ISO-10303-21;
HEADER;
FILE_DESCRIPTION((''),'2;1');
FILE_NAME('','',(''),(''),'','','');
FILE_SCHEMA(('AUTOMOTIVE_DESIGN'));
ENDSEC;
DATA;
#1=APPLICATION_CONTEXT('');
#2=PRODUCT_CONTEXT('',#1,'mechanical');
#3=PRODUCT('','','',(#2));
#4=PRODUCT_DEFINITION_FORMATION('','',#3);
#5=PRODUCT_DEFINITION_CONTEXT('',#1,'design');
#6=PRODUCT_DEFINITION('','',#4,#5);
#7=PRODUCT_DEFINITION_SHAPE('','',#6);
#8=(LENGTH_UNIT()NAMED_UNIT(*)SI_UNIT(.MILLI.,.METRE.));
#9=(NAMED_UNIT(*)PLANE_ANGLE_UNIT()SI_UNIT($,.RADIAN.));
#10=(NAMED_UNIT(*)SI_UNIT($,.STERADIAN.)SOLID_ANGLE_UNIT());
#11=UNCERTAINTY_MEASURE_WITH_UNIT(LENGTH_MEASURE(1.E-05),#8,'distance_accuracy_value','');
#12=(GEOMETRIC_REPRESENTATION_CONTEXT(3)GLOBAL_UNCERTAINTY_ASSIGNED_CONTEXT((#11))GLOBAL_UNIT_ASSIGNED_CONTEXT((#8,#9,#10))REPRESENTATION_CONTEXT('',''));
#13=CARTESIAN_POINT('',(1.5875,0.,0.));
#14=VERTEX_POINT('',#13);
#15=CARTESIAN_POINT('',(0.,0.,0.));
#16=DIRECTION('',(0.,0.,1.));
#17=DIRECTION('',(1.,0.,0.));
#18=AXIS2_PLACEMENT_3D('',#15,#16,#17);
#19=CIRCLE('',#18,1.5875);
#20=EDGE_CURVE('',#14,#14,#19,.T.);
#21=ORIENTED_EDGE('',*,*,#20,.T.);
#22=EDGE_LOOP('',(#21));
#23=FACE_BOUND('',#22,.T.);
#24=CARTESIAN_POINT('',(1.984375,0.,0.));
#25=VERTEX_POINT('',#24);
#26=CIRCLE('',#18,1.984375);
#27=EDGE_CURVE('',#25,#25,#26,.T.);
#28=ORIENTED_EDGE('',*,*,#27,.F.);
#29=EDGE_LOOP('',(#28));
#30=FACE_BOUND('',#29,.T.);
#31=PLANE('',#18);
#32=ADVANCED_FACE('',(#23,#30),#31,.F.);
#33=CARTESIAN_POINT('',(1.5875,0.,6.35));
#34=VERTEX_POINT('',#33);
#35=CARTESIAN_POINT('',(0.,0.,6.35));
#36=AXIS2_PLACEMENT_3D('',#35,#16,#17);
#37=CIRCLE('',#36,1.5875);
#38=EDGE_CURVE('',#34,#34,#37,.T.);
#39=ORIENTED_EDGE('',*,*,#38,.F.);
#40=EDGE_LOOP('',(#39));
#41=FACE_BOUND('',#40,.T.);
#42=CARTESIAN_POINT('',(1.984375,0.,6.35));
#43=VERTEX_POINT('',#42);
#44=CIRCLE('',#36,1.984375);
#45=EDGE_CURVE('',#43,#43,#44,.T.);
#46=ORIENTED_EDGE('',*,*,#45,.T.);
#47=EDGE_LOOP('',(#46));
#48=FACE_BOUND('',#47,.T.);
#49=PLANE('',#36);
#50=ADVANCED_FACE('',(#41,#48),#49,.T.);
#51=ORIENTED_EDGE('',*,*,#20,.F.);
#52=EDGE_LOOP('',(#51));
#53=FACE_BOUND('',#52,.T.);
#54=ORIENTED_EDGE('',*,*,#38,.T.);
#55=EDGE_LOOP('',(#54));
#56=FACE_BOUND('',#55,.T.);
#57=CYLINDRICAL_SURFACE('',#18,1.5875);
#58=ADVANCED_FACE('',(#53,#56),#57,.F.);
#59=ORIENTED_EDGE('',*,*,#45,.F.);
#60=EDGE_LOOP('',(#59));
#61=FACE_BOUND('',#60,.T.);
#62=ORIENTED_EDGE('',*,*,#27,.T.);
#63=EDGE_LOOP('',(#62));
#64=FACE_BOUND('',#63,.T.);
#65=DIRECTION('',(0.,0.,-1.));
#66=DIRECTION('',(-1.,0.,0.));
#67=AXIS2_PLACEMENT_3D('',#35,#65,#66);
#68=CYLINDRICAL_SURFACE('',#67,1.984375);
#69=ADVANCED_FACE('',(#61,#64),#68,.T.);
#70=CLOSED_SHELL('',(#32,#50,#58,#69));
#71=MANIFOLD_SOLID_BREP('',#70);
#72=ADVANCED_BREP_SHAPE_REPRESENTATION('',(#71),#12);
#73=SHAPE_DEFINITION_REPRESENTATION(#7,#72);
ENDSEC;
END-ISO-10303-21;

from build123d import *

# Parameters (mm, degrees)
SKETCH2_R           = 1.984375
BOSS_EXTRUDE3_DEPTH = 6.35
SKETCH3_R           = 1.5875
CUT_EXTRUDE1_DEPTH  = 7.9424771


with BuildPart() as part:
    # Sketch2 → Boss-Extrude3 (new body)
    with BuildSketch(Plane.XY):
        Circle(SKETCH2_R)
    extrude(amount=BOSS_EXTRUDE3_DEPTH)

    # Sketch3 → Cut-Extrude1 (cut, through all)
    with BuildSketch(Plane.XY.offset(6.35)):
        Circle(SKETCH3_R)
    extrude(amount=-CUT_EXTRUDE1_DEPTH, mode=Mode.SUBTRACT)


solid = part.part
